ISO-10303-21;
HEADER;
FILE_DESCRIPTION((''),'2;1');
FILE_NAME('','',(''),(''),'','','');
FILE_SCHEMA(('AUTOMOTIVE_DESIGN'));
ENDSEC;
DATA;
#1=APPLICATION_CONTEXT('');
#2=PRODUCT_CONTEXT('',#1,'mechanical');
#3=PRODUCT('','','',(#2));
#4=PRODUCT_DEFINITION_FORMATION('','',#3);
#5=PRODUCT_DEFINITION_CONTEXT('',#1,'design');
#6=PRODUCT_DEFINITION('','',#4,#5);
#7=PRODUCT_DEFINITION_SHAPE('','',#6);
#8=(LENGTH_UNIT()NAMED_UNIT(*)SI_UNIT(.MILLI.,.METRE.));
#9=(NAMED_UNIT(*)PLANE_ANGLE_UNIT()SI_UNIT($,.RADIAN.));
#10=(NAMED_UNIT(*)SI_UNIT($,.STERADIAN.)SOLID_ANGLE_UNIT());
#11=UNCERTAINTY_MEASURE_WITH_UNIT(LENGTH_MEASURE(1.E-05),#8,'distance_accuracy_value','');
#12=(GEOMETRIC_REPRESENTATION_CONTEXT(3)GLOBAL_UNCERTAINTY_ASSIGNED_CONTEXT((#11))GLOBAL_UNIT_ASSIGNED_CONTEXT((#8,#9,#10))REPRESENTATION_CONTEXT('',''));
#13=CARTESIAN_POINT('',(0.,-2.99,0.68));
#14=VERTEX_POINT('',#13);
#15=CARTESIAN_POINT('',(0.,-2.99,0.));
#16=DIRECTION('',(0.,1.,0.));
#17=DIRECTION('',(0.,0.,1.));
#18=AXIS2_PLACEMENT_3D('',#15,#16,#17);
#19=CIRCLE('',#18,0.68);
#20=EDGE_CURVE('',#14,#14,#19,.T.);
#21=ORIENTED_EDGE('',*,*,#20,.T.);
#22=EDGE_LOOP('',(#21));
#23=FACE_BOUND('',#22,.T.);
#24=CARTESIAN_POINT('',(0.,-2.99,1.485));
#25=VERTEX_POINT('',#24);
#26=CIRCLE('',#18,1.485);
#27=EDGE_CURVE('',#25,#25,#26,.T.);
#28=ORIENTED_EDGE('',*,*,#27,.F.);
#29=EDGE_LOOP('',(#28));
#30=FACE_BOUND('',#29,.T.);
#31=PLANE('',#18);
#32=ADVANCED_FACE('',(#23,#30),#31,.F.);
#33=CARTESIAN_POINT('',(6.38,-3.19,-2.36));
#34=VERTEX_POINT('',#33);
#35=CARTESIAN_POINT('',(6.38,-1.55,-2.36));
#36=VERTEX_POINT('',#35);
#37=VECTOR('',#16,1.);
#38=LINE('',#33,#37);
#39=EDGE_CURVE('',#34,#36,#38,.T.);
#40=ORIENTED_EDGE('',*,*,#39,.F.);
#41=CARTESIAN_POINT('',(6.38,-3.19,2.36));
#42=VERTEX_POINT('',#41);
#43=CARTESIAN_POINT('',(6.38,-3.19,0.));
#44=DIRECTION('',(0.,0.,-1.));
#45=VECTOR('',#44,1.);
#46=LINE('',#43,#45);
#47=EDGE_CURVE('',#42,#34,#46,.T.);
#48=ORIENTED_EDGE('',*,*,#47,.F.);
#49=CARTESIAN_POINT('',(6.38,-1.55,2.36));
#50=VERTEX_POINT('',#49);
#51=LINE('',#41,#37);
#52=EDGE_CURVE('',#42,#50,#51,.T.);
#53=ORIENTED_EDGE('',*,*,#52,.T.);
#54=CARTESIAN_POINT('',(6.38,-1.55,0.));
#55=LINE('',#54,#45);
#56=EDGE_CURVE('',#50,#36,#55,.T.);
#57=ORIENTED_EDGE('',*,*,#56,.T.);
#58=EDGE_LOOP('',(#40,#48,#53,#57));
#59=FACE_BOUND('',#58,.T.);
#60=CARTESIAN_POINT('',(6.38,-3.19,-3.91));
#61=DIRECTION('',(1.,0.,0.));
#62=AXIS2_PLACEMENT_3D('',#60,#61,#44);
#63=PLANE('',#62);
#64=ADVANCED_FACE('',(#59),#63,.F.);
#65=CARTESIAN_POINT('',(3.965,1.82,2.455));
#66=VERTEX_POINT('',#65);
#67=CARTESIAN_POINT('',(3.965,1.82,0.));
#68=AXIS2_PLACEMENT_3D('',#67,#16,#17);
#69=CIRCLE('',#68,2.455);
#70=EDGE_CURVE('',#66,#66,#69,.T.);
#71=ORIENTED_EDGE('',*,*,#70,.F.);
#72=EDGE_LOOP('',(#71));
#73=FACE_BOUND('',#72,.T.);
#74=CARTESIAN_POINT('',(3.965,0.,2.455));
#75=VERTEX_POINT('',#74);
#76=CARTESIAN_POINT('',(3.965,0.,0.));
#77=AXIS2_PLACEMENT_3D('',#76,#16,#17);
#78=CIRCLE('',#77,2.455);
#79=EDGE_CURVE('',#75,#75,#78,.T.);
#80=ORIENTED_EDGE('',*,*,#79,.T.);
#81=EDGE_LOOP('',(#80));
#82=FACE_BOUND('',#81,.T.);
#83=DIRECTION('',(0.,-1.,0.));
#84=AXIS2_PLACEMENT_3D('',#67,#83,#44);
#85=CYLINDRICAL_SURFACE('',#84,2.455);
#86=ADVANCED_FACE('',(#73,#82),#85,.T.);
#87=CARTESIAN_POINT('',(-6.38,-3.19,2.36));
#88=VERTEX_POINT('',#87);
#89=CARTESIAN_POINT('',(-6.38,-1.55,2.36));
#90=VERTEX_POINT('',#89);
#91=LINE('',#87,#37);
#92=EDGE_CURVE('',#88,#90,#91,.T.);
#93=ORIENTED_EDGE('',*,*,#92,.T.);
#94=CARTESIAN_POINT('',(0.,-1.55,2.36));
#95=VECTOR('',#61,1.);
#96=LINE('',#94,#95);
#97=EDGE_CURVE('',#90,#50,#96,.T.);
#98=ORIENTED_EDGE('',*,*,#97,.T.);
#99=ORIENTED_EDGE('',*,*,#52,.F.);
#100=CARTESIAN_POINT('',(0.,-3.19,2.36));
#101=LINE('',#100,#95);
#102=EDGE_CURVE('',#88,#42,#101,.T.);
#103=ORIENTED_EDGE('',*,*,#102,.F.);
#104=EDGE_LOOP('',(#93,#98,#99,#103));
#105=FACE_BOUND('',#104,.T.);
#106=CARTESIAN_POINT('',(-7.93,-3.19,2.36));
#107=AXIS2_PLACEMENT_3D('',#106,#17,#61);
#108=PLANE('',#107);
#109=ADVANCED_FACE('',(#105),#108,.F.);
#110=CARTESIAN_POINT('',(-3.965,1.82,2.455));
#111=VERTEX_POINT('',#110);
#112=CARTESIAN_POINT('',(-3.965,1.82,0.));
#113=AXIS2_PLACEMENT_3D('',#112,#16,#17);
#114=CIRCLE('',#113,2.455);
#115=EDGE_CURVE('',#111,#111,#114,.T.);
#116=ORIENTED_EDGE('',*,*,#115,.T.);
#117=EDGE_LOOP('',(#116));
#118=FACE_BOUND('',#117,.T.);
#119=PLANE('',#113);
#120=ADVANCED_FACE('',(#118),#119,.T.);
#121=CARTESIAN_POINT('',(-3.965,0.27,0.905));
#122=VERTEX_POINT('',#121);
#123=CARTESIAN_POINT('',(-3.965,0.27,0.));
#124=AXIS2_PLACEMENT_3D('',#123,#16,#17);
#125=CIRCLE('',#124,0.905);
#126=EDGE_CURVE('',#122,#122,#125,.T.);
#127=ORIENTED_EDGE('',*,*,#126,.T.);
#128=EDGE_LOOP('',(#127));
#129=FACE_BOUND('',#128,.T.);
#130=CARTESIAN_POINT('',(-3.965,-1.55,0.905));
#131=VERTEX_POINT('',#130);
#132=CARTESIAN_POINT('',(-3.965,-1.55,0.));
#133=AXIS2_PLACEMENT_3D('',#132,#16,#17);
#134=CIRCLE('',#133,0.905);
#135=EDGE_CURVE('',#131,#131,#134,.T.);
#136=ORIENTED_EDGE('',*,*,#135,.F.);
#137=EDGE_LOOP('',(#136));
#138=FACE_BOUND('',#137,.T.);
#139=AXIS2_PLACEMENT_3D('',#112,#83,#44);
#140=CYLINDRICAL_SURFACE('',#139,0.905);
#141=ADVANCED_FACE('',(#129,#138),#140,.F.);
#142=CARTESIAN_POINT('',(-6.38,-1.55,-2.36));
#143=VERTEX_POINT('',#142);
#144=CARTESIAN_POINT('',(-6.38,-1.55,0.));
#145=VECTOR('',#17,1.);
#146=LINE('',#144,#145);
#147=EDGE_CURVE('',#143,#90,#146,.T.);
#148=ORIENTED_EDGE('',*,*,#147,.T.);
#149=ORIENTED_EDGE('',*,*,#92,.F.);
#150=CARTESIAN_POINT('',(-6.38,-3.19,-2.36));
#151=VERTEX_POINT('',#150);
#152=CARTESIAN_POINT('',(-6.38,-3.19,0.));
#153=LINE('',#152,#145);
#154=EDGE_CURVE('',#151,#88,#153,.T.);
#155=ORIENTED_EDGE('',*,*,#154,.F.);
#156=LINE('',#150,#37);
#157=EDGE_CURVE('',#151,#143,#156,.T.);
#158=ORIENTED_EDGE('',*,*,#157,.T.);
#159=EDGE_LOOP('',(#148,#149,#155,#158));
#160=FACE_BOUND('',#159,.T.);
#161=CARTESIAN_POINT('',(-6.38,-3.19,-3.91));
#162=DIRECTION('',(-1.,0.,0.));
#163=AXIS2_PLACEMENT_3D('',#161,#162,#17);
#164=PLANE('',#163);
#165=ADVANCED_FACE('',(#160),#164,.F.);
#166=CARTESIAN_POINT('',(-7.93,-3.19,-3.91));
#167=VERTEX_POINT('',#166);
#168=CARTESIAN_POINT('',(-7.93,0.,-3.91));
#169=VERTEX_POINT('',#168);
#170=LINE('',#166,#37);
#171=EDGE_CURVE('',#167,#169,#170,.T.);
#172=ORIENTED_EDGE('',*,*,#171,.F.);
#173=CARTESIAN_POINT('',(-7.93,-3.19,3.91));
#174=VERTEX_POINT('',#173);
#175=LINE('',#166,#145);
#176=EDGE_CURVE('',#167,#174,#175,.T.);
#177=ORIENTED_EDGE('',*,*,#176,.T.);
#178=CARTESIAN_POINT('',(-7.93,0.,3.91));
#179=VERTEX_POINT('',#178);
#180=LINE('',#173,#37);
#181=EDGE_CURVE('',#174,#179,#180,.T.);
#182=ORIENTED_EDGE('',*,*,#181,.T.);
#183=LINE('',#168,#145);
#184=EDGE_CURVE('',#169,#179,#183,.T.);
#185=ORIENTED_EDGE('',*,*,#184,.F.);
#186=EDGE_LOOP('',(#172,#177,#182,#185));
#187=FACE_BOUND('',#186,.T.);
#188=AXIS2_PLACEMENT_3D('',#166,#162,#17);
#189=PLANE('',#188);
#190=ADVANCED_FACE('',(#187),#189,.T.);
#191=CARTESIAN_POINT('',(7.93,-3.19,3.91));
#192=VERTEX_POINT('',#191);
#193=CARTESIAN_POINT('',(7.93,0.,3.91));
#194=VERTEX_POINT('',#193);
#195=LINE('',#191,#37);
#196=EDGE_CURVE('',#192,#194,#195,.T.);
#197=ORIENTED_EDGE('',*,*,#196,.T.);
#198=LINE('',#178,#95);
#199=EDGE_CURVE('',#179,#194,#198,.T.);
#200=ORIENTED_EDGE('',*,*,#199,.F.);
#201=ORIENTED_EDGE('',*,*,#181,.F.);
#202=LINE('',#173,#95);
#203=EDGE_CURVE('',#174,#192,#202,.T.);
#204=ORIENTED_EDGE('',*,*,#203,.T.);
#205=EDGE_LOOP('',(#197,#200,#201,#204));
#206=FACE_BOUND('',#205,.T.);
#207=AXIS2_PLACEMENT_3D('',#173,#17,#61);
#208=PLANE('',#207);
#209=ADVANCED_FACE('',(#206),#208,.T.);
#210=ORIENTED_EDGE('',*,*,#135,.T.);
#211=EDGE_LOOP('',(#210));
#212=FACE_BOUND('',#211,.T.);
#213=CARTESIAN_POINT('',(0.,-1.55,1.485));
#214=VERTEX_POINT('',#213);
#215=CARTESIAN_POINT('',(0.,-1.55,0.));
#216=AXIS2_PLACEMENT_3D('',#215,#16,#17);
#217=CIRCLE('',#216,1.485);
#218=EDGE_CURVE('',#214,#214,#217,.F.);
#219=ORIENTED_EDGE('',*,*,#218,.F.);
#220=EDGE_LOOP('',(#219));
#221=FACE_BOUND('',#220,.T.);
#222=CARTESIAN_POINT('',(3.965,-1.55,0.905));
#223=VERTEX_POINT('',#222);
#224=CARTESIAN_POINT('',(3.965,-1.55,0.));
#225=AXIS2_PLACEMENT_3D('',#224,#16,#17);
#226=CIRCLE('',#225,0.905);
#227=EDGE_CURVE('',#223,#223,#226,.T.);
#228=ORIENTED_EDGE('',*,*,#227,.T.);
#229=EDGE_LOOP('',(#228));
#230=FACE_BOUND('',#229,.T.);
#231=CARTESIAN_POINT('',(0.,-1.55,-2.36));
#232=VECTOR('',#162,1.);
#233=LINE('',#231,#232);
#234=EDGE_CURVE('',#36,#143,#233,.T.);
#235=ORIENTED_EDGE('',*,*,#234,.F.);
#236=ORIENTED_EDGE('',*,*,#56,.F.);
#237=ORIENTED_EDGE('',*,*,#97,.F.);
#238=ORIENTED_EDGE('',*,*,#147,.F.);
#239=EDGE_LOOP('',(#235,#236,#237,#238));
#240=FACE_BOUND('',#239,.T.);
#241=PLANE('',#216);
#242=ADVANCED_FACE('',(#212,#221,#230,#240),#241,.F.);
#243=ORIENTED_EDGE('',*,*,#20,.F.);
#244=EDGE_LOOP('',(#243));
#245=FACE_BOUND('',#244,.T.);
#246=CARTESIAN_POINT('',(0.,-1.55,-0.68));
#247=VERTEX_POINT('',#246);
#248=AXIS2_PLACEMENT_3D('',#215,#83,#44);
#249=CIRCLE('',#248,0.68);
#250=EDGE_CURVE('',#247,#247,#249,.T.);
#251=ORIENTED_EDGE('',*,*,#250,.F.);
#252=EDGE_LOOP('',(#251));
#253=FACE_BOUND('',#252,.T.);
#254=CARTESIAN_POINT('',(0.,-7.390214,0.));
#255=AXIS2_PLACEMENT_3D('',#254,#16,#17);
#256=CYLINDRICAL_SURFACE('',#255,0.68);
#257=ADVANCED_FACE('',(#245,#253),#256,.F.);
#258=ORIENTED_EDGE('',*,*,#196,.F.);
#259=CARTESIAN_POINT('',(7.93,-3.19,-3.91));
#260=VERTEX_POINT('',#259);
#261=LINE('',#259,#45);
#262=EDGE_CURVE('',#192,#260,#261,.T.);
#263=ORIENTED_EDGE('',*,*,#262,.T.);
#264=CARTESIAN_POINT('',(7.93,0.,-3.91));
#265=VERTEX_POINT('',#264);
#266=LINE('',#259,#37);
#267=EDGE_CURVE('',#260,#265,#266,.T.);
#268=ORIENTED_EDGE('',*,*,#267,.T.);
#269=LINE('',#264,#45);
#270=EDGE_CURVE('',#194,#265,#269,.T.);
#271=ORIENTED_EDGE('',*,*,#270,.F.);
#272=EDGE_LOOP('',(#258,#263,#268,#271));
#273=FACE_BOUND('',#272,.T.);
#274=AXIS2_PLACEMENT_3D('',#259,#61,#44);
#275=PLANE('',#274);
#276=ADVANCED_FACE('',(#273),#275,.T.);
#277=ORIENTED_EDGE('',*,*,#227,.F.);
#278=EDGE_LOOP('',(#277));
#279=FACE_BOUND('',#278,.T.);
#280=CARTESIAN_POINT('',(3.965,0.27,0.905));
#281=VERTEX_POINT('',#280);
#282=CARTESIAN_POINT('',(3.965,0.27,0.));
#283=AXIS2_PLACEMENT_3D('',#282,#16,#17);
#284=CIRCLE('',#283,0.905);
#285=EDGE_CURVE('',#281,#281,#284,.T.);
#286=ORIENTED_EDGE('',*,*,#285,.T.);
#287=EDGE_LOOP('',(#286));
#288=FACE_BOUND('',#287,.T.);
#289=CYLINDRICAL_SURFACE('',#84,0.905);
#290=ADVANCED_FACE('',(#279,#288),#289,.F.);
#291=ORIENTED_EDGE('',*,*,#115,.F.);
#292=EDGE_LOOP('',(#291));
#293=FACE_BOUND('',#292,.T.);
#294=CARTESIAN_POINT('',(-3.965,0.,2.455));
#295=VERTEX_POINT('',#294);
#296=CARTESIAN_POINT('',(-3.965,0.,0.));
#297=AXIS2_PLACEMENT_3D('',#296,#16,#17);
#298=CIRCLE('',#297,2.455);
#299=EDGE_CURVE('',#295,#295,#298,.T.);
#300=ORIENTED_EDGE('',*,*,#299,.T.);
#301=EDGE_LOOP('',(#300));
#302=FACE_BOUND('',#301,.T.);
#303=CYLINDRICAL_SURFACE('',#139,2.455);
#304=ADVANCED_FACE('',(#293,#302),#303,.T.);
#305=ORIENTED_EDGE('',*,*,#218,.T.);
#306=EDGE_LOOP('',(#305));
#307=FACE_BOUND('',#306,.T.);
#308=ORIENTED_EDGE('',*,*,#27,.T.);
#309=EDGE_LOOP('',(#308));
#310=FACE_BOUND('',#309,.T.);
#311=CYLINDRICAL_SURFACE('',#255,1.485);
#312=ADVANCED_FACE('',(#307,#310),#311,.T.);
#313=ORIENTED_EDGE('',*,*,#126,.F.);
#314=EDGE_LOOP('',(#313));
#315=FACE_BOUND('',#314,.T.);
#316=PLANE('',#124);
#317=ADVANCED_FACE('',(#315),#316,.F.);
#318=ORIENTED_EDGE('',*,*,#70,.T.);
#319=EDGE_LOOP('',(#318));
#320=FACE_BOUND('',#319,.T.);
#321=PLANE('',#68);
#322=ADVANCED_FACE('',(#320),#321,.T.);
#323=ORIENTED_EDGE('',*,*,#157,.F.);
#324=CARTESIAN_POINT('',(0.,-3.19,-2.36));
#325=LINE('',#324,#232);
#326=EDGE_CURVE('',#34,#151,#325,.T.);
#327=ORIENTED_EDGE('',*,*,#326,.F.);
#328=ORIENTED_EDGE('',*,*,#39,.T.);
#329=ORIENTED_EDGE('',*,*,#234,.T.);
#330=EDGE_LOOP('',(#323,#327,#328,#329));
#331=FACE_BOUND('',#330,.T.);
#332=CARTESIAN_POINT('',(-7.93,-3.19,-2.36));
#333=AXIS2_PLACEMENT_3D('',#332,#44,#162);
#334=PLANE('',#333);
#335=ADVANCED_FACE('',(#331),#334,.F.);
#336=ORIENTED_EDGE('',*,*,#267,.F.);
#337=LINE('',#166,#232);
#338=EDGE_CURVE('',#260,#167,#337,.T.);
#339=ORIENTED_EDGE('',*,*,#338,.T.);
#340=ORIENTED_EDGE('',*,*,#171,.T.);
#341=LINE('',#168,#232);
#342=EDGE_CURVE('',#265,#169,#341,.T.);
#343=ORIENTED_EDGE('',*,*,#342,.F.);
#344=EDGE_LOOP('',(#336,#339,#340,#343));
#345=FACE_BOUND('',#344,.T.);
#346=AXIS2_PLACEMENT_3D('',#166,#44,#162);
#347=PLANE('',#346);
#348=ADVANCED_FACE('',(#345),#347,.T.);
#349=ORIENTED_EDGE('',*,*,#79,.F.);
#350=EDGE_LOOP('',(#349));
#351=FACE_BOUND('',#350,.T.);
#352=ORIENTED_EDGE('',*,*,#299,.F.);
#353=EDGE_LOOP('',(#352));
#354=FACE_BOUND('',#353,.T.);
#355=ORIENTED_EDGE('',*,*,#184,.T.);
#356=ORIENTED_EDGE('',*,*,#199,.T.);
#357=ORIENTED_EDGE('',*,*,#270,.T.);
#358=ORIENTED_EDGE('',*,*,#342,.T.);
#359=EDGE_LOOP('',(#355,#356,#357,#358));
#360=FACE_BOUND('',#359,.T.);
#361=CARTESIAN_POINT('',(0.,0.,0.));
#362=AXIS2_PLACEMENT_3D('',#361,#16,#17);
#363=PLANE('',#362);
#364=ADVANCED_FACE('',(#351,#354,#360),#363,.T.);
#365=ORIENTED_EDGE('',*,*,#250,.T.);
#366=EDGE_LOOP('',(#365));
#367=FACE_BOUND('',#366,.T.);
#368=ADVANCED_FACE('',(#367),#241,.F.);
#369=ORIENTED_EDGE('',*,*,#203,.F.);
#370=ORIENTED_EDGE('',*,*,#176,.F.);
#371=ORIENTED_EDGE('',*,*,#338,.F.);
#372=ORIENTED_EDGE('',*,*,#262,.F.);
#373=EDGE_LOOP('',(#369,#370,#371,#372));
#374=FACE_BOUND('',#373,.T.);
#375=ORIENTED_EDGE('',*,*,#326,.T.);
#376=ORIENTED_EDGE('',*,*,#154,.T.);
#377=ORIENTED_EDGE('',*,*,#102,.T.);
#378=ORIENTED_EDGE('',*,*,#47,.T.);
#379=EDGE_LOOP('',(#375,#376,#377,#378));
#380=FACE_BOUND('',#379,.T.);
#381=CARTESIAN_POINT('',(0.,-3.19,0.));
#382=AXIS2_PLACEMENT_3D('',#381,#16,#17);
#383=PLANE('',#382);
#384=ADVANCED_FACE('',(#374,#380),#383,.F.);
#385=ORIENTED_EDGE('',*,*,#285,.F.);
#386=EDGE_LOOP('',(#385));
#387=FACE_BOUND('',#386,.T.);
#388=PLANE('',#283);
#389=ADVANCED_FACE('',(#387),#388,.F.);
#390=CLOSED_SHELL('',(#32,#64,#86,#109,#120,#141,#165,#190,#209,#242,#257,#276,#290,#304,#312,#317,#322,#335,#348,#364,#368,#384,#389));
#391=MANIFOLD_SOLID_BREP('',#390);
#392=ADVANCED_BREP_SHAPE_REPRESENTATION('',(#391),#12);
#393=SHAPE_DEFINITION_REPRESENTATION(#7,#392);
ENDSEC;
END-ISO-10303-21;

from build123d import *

# Parameters (mm, degrees)
SKETCH1_W           = 15.86
SKETCH1_H           = 7.82
BOSS_EXTRUDE1_DEPTH = 3.19
SKETCH2_R           = 2.455
BOSS_EXTRUDE2_DEPTH = 1.82
SHELL1_T            = -1.55
SKETCH3_R           = 1.485
SKETCH3_R_2         = 0.68
BOSS_EXTRUDE3_DEPTH = 1.44


with BuildPart() as part:
    # Sketch1 → Boss-Extrude1 (new body)
    with BuildSketch(Plane(origin=(0, 0, 0), x_dir=(1, 0, 0), z_dir=(0, 1, 0))):
        Rectangle(SKETCH1_W, SKETCH1_H)
    extrude(amount=-BOSS_EXTRUDE1_DEPTH)

    # Sketch2 → Boss-Extrude2 (add)
    with BuildSketch(Plane(origin=(0, 0, 0), x_dir=(1, 0, 0), z_dir=(0, 1, 0))):
        with Locations(Location((3.965, 0, 0), (0, 0, 270))):
            Circle(SKETCH2_R)
        with Locations(Location((-3.965, 0, 0), (0, 0, 270))):
            Circle(SKETCH2_R)
    extrude(amount=BOSS_EXTRUDE2_DEPTH)

    # Shell1
    shell1_openings = [part.faces().sort_by_distance(p)[0] for p in [
        (0, -3.19, 0),
    ]]
    offset(amount=SHELL1_T, openings=shell1_openings, kind=Kind.INTERSECTION)

    # Sketch3 → Boss-Extrude3 (add)
    with BuildSketch(Plane.XZ.offset(1.55)):
        with Locations(Location((0, 0, 0), (0, 0, 90))):
            Circle(SKETCH3_R)
        with Locations(Location((0, 0, 0), (0, 0, 90))):
            Circle(SKETCH3_R_2, mode=Mode.SUBTRACT)
    extrude(amount=BOSS_EXTRUDE3_DEPTH)


solid = part.part
